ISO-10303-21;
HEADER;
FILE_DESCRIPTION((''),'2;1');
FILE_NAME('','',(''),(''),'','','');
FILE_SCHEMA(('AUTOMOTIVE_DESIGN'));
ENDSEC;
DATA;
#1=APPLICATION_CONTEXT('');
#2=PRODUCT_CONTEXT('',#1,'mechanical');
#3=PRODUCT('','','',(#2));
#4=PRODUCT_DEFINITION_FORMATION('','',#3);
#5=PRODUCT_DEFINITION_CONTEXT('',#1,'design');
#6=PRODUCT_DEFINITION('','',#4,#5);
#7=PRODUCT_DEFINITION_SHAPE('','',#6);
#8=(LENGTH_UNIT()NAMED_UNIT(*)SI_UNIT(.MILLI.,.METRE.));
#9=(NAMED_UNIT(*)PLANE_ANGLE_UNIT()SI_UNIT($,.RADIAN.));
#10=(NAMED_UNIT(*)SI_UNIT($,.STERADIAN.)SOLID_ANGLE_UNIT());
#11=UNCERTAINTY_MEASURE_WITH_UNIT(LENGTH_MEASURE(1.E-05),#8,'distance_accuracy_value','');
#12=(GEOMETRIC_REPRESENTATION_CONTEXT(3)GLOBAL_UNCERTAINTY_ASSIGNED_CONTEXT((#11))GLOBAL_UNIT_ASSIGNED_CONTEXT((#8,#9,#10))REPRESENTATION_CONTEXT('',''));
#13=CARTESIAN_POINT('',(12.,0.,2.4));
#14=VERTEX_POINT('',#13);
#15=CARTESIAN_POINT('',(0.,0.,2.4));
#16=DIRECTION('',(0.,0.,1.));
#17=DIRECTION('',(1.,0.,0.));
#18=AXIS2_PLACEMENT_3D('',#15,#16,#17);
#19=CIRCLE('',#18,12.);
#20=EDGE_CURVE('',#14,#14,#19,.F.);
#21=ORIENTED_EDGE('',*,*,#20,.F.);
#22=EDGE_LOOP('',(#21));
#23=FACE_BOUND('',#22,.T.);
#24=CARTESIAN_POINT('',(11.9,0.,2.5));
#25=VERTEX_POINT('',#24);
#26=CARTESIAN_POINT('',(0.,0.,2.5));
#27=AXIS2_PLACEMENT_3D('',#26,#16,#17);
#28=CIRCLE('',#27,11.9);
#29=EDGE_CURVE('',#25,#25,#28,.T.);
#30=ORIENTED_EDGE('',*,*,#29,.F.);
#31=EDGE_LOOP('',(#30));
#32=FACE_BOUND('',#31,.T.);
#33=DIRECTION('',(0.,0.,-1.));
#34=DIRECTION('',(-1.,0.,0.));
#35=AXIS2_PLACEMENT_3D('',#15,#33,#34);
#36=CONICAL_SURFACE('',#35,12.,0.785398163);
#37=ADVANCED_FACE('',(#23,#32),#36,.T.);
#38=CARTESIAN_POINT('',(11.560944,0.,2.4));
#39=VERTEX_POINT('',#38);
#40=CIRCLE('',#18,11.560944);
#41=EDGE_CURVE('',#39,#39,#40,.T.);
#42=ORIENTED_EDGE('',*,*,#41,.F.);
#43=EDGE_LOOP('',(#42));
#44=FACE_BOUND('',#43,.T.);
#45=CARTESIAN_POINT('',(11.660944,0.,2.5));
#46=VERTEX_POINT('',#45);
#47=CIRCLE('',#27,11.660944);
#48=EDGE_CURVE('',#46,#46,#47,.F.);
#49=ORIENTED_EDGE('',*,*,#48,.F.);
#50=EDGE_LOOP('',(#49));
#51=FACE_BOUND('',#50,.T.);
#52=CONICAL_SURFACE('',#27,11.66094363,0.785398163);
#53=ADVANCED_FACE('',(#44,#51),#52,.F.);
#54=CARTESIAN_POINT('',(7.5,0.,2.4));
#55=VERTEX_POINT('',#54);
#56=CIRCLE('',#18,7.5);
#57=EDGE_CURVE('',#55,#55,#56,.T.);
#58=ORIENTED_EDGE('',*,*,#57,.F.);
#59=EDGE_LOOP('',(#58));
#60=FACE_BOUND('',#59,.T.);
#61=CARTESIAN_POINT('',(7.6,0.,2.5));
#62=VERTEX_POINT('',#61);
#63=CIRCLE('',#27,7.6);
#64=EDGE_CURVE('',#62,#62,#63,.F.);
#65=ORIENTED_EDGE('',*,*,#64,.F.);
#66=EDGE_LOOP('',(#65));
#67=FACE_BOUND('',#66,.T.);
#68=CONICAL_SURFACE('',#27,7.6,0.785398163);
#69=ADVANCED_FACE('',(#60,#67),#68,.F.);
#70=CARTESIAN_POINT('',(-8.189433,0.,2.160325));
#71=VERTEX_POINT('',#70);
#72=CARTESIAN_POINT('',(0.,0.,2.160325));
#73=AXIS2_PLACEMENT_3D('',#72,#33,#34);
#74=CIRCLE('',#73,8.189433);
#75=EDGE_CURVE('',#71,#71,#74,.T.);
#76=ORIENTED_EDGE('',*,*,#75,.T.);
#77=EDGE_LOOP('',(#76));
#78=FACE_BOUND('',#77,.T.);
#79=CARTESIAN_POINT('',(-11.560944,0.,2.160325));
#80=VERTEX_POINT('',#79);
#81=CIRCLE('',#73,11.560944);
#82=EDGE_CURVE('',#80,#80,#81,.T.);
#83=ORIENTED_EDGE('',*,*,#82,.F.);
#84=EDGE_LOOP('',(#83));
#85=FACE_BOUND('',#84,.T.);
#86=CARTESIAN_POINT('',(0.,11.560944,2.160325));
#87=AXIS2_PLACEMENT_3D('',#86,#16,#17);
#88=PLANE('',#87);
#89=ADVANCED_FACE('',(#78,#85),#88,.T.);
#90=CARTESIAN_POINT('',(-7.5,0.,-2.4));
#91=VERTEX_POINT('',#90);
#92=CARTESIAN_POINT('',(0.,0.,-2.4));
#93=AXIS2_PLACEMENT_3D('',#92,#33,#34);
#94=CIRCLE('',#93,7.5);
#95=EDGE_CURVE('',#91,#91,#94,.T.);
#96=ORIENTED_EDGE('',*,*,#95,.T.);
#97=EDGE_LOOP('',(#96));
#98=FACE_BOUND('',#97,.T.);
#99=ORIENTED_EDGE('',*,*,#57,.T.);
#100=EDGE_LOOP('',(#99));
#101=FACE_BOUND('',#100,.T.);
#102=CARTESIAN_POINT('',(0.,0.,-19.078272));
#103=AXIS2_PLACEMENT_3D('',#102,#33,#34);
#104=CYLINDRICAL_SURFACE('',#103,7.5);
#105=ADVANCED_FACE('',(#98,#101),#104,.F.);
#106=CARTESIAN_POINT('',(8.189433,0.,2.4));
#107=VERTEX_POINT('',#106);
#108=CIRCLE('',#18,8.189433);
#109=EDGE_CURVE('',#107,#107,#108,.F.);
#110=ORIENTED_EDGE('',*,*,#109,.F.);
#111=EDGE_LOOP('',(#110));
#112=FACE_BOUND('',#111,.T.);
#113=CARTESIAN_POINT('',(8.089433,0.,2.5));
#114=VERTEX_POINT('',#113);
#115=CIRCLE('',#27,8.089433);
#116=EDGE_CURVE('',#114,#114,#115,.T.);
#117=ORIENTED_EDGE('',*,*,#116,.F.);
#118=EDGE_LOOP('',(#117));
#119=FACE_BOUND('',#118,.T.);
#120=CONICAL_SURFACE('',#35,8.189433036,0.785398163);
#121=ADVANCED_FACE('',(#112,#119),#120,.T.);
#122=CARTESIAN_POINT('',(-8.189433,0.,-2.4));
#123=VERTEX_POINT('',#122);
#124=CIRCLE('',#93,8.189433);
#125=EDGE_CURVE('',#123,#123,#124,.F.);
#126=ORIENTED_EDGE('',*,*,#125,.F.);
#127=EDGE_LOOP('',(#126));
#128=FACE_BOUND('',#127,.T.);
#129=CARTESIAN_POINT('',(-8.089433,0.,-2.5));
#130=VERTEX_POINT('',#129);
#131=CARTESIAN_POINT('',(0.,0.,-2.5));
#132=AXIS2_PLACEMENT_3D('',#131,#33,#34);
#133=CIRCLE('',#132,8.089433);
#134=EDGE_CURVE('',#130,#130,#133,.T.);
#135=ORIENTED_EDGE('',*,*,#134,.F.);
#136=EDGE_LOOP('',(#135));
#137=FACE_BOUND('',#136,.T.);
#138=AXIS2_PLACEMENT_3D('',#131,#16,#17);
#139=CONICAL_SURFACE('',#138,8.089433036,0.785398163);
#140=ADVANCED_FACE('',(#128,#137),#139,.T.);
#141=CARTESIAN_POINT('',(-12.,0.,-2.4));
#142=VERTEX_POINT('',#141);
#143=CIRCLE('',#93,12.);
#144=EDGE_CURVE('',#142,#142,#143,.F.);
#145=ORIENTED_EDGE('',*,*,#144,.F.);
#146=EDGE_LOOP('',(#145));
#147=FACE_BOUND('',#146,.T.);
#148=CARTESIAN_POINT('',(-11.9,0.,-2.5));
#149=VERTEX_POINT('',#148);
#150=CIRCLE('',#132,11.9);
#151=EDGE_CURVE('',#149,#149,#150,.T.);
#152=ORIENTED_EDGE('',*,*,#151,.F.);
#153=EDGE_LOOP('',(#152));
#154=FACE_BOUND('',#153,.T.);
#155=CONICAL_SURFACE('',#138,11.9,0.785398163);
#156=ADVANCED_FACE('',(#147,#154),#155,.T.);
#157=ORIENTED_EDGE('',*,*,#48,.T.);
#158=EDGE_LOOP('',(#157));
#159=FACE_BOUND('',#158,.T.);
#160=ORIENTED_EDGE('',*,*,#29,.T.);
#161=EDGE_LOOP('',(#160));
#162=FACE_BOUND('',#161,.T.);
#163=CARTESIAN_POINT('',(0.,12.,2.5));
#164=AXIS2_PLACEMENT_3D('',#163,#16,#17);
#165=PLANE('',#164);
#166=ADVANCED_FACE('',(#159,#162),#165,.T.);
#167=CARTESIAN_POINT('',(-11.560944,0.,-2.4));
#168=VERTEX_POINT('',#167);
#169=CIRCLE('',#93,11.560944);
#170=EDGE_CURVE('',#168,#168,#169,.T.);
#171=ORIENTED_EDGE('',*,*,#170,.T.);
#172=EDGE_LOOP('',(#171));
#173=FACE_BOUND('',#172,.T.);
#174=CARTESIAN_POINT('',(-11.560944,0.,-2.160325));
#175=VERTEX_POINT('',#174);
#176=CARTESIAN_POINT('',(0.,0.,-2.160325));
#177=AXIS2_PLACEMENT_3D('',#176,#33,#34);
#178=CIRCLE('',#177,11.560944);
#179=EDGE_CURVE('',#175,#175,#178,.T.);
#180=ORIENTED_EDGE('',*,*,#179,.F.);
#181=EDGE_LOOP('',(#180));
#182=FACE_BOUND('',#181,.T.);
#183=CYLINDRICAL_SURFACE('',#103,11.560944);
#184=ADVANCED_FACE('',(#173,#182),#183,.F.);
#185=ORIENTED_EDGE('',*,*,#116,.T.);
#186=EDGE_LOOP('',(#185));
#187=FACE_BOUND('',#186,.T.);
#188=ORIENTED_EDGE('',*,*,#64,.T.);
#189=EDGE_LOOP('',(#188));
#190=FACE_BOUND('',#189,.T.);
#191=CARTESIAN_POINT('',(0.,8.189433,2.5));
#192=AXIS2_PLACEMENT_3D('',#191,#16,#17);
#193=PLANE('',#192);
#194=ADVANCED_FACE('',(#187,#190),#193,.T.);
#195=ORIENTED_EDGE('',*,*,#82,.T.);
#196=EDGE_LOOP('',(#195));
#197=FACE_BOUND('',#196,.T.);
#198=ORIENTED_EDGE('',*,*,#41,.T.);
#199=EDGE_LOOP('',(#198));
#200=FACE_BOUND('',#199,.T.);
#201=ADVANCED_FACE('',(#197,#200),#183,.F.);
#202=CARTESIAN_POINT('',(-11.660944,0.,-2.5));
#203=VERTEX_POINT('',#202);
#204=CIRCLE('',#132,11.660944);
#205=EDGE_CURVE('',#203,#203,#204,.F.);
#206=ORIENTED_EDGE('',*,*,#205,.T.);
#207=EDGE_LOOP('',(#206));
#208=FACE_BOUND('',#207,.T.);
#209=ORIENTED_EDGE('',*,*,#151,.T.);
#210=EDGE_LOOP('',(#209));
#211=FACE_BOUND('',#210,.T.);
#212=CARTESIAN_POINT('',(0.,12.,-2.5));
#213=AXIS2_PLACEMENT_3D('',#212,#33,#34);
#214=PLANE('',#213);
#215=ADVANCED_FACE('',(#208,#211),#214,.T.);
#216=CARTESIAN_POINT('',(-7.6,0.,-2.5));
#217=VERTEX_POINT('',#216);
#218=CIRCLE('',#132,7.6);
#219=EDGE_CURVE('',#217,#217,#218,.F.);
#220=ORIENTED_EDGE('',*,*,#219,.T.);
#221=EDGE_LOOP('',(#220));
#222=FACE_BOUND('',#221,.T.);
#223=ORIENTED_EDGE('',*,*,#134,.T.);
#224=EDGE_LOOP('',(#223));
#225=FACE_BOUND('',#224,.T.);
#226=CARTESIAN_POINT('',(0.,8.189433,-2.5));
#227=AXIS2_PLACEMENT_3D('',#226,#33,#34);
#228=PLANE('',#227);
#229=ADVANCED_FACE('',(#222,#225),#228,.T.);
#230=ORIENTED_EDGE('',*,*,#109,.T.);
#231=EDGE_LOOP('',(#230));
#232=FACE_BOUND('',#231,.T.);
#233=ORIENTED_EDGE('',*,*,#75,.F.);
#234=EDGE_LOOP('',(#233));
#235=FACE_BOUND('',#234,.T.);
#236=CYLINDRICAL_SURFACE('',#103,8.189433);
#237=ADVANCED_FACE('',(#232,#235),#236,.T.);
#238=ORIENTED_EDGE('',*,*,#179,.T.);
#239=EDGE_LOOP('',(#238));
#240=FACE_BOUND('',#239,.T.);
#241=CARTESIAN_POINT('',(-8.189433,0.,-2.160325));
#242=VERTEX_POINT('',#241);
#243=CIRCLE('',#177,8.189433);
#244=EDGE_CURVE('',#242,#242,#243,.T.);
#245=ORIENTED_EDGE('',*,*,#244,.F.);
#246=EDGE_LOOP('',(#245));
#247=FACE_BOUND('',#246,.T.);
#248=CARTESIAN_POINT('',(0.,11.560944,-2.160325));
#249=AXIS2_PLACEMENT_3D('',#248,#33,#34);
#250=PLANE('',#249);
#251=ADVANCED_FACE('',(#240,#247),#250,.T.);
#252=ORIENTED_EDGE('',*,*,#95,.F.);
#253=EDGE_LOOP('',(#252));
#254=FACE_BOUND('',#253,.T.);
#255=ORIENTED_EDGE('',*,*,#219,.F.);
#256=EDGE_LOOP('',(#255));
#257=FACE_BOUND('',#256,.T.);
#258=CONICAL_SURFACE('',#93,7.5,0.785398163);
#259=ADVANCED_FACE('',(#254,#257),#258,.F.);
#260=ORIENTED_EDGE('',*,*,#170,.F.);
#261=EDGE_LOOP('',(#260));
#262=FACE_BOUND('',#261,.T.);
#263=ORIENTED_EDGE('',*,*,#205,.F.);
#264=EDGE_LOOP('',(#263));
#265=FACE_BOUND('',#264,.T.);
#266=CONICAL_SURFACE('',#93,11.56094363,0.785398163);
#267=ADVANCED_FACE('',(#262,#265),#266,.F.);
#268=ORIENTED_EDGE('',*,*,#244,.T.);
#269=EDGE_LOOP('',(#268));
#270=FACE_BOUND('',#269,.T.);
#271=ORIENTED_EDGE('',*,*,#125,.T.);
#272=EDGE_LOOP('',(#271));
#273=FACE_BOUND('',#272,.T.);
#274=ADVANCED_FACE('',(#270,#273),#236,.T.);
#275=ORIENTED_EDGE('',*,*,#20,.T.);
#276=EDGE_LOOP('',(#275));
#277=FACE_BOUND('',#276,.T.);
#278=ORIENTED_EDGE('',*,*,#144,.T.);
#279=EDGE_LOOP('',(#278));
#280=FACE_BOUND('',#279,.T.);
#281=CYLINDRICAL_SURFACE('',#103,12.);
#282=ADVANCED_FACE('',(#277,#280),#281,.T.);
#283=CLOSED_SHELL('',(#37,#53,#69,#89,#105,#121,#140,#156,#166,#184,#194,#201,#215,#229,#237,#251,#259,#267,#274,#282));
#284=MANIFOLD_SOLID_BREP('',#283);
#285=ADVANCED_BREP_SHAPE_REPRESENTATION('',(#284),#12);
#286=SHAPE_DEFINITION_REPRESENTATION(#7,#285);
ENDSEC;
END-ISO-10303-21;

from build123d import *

# Parameters (mm, degrees)
CHAMFER1_SIZE = 0.1


with BuildPart() as part:
    # Sketch1 → Revolve1 (revolve)
    with BuildSketch(Plane(origin=(0, 0, 0), x_dir=(0, 0, -1), z_dir=(1, 0, 0)), mode=Mode.PRIVATE) as revolve1_sk:
        Polygon((-2.5, 12), (2.5, 12), (2.5, 11.56094363), (2.160325371, 11.56094363), (2.160325371, 8.189433036), (2.5, 8.189433036), (2.5, 7.5), (-2.5, 7.5), (-2.5, 8.189433036), (-2.160325371, 8.189433036), (-2.160325371, 11.56094363), (-2.5, 11.56094363), align=None)
    revolve(revolve1_sk.sketch.rotate(Axis((0, 0, -19.078271996), (0, 0, 1)), 90), axis=Axis((0, 0, -19.078271996), (0, 0, 1)))

    # Chamfer1
    chamfer1_edges = [part.edges().sort_by_distance(p)[0] for p in [
        (11.56094363, 0, 2.5),
        (12, 0, 2.5),
        (12, 0, -2.5),
        (11.56094363, 0, -2.5),
        (8.189433036, 0, -2.5),
        (7.5, 0, -2.5),
        (7.5, 0, 2.5),
        (8.189433036, 0, 2.5),
    ]]
    chamfer(chamfer1_edges, length=CHAMFER1_SIZE)


solid = part.part
